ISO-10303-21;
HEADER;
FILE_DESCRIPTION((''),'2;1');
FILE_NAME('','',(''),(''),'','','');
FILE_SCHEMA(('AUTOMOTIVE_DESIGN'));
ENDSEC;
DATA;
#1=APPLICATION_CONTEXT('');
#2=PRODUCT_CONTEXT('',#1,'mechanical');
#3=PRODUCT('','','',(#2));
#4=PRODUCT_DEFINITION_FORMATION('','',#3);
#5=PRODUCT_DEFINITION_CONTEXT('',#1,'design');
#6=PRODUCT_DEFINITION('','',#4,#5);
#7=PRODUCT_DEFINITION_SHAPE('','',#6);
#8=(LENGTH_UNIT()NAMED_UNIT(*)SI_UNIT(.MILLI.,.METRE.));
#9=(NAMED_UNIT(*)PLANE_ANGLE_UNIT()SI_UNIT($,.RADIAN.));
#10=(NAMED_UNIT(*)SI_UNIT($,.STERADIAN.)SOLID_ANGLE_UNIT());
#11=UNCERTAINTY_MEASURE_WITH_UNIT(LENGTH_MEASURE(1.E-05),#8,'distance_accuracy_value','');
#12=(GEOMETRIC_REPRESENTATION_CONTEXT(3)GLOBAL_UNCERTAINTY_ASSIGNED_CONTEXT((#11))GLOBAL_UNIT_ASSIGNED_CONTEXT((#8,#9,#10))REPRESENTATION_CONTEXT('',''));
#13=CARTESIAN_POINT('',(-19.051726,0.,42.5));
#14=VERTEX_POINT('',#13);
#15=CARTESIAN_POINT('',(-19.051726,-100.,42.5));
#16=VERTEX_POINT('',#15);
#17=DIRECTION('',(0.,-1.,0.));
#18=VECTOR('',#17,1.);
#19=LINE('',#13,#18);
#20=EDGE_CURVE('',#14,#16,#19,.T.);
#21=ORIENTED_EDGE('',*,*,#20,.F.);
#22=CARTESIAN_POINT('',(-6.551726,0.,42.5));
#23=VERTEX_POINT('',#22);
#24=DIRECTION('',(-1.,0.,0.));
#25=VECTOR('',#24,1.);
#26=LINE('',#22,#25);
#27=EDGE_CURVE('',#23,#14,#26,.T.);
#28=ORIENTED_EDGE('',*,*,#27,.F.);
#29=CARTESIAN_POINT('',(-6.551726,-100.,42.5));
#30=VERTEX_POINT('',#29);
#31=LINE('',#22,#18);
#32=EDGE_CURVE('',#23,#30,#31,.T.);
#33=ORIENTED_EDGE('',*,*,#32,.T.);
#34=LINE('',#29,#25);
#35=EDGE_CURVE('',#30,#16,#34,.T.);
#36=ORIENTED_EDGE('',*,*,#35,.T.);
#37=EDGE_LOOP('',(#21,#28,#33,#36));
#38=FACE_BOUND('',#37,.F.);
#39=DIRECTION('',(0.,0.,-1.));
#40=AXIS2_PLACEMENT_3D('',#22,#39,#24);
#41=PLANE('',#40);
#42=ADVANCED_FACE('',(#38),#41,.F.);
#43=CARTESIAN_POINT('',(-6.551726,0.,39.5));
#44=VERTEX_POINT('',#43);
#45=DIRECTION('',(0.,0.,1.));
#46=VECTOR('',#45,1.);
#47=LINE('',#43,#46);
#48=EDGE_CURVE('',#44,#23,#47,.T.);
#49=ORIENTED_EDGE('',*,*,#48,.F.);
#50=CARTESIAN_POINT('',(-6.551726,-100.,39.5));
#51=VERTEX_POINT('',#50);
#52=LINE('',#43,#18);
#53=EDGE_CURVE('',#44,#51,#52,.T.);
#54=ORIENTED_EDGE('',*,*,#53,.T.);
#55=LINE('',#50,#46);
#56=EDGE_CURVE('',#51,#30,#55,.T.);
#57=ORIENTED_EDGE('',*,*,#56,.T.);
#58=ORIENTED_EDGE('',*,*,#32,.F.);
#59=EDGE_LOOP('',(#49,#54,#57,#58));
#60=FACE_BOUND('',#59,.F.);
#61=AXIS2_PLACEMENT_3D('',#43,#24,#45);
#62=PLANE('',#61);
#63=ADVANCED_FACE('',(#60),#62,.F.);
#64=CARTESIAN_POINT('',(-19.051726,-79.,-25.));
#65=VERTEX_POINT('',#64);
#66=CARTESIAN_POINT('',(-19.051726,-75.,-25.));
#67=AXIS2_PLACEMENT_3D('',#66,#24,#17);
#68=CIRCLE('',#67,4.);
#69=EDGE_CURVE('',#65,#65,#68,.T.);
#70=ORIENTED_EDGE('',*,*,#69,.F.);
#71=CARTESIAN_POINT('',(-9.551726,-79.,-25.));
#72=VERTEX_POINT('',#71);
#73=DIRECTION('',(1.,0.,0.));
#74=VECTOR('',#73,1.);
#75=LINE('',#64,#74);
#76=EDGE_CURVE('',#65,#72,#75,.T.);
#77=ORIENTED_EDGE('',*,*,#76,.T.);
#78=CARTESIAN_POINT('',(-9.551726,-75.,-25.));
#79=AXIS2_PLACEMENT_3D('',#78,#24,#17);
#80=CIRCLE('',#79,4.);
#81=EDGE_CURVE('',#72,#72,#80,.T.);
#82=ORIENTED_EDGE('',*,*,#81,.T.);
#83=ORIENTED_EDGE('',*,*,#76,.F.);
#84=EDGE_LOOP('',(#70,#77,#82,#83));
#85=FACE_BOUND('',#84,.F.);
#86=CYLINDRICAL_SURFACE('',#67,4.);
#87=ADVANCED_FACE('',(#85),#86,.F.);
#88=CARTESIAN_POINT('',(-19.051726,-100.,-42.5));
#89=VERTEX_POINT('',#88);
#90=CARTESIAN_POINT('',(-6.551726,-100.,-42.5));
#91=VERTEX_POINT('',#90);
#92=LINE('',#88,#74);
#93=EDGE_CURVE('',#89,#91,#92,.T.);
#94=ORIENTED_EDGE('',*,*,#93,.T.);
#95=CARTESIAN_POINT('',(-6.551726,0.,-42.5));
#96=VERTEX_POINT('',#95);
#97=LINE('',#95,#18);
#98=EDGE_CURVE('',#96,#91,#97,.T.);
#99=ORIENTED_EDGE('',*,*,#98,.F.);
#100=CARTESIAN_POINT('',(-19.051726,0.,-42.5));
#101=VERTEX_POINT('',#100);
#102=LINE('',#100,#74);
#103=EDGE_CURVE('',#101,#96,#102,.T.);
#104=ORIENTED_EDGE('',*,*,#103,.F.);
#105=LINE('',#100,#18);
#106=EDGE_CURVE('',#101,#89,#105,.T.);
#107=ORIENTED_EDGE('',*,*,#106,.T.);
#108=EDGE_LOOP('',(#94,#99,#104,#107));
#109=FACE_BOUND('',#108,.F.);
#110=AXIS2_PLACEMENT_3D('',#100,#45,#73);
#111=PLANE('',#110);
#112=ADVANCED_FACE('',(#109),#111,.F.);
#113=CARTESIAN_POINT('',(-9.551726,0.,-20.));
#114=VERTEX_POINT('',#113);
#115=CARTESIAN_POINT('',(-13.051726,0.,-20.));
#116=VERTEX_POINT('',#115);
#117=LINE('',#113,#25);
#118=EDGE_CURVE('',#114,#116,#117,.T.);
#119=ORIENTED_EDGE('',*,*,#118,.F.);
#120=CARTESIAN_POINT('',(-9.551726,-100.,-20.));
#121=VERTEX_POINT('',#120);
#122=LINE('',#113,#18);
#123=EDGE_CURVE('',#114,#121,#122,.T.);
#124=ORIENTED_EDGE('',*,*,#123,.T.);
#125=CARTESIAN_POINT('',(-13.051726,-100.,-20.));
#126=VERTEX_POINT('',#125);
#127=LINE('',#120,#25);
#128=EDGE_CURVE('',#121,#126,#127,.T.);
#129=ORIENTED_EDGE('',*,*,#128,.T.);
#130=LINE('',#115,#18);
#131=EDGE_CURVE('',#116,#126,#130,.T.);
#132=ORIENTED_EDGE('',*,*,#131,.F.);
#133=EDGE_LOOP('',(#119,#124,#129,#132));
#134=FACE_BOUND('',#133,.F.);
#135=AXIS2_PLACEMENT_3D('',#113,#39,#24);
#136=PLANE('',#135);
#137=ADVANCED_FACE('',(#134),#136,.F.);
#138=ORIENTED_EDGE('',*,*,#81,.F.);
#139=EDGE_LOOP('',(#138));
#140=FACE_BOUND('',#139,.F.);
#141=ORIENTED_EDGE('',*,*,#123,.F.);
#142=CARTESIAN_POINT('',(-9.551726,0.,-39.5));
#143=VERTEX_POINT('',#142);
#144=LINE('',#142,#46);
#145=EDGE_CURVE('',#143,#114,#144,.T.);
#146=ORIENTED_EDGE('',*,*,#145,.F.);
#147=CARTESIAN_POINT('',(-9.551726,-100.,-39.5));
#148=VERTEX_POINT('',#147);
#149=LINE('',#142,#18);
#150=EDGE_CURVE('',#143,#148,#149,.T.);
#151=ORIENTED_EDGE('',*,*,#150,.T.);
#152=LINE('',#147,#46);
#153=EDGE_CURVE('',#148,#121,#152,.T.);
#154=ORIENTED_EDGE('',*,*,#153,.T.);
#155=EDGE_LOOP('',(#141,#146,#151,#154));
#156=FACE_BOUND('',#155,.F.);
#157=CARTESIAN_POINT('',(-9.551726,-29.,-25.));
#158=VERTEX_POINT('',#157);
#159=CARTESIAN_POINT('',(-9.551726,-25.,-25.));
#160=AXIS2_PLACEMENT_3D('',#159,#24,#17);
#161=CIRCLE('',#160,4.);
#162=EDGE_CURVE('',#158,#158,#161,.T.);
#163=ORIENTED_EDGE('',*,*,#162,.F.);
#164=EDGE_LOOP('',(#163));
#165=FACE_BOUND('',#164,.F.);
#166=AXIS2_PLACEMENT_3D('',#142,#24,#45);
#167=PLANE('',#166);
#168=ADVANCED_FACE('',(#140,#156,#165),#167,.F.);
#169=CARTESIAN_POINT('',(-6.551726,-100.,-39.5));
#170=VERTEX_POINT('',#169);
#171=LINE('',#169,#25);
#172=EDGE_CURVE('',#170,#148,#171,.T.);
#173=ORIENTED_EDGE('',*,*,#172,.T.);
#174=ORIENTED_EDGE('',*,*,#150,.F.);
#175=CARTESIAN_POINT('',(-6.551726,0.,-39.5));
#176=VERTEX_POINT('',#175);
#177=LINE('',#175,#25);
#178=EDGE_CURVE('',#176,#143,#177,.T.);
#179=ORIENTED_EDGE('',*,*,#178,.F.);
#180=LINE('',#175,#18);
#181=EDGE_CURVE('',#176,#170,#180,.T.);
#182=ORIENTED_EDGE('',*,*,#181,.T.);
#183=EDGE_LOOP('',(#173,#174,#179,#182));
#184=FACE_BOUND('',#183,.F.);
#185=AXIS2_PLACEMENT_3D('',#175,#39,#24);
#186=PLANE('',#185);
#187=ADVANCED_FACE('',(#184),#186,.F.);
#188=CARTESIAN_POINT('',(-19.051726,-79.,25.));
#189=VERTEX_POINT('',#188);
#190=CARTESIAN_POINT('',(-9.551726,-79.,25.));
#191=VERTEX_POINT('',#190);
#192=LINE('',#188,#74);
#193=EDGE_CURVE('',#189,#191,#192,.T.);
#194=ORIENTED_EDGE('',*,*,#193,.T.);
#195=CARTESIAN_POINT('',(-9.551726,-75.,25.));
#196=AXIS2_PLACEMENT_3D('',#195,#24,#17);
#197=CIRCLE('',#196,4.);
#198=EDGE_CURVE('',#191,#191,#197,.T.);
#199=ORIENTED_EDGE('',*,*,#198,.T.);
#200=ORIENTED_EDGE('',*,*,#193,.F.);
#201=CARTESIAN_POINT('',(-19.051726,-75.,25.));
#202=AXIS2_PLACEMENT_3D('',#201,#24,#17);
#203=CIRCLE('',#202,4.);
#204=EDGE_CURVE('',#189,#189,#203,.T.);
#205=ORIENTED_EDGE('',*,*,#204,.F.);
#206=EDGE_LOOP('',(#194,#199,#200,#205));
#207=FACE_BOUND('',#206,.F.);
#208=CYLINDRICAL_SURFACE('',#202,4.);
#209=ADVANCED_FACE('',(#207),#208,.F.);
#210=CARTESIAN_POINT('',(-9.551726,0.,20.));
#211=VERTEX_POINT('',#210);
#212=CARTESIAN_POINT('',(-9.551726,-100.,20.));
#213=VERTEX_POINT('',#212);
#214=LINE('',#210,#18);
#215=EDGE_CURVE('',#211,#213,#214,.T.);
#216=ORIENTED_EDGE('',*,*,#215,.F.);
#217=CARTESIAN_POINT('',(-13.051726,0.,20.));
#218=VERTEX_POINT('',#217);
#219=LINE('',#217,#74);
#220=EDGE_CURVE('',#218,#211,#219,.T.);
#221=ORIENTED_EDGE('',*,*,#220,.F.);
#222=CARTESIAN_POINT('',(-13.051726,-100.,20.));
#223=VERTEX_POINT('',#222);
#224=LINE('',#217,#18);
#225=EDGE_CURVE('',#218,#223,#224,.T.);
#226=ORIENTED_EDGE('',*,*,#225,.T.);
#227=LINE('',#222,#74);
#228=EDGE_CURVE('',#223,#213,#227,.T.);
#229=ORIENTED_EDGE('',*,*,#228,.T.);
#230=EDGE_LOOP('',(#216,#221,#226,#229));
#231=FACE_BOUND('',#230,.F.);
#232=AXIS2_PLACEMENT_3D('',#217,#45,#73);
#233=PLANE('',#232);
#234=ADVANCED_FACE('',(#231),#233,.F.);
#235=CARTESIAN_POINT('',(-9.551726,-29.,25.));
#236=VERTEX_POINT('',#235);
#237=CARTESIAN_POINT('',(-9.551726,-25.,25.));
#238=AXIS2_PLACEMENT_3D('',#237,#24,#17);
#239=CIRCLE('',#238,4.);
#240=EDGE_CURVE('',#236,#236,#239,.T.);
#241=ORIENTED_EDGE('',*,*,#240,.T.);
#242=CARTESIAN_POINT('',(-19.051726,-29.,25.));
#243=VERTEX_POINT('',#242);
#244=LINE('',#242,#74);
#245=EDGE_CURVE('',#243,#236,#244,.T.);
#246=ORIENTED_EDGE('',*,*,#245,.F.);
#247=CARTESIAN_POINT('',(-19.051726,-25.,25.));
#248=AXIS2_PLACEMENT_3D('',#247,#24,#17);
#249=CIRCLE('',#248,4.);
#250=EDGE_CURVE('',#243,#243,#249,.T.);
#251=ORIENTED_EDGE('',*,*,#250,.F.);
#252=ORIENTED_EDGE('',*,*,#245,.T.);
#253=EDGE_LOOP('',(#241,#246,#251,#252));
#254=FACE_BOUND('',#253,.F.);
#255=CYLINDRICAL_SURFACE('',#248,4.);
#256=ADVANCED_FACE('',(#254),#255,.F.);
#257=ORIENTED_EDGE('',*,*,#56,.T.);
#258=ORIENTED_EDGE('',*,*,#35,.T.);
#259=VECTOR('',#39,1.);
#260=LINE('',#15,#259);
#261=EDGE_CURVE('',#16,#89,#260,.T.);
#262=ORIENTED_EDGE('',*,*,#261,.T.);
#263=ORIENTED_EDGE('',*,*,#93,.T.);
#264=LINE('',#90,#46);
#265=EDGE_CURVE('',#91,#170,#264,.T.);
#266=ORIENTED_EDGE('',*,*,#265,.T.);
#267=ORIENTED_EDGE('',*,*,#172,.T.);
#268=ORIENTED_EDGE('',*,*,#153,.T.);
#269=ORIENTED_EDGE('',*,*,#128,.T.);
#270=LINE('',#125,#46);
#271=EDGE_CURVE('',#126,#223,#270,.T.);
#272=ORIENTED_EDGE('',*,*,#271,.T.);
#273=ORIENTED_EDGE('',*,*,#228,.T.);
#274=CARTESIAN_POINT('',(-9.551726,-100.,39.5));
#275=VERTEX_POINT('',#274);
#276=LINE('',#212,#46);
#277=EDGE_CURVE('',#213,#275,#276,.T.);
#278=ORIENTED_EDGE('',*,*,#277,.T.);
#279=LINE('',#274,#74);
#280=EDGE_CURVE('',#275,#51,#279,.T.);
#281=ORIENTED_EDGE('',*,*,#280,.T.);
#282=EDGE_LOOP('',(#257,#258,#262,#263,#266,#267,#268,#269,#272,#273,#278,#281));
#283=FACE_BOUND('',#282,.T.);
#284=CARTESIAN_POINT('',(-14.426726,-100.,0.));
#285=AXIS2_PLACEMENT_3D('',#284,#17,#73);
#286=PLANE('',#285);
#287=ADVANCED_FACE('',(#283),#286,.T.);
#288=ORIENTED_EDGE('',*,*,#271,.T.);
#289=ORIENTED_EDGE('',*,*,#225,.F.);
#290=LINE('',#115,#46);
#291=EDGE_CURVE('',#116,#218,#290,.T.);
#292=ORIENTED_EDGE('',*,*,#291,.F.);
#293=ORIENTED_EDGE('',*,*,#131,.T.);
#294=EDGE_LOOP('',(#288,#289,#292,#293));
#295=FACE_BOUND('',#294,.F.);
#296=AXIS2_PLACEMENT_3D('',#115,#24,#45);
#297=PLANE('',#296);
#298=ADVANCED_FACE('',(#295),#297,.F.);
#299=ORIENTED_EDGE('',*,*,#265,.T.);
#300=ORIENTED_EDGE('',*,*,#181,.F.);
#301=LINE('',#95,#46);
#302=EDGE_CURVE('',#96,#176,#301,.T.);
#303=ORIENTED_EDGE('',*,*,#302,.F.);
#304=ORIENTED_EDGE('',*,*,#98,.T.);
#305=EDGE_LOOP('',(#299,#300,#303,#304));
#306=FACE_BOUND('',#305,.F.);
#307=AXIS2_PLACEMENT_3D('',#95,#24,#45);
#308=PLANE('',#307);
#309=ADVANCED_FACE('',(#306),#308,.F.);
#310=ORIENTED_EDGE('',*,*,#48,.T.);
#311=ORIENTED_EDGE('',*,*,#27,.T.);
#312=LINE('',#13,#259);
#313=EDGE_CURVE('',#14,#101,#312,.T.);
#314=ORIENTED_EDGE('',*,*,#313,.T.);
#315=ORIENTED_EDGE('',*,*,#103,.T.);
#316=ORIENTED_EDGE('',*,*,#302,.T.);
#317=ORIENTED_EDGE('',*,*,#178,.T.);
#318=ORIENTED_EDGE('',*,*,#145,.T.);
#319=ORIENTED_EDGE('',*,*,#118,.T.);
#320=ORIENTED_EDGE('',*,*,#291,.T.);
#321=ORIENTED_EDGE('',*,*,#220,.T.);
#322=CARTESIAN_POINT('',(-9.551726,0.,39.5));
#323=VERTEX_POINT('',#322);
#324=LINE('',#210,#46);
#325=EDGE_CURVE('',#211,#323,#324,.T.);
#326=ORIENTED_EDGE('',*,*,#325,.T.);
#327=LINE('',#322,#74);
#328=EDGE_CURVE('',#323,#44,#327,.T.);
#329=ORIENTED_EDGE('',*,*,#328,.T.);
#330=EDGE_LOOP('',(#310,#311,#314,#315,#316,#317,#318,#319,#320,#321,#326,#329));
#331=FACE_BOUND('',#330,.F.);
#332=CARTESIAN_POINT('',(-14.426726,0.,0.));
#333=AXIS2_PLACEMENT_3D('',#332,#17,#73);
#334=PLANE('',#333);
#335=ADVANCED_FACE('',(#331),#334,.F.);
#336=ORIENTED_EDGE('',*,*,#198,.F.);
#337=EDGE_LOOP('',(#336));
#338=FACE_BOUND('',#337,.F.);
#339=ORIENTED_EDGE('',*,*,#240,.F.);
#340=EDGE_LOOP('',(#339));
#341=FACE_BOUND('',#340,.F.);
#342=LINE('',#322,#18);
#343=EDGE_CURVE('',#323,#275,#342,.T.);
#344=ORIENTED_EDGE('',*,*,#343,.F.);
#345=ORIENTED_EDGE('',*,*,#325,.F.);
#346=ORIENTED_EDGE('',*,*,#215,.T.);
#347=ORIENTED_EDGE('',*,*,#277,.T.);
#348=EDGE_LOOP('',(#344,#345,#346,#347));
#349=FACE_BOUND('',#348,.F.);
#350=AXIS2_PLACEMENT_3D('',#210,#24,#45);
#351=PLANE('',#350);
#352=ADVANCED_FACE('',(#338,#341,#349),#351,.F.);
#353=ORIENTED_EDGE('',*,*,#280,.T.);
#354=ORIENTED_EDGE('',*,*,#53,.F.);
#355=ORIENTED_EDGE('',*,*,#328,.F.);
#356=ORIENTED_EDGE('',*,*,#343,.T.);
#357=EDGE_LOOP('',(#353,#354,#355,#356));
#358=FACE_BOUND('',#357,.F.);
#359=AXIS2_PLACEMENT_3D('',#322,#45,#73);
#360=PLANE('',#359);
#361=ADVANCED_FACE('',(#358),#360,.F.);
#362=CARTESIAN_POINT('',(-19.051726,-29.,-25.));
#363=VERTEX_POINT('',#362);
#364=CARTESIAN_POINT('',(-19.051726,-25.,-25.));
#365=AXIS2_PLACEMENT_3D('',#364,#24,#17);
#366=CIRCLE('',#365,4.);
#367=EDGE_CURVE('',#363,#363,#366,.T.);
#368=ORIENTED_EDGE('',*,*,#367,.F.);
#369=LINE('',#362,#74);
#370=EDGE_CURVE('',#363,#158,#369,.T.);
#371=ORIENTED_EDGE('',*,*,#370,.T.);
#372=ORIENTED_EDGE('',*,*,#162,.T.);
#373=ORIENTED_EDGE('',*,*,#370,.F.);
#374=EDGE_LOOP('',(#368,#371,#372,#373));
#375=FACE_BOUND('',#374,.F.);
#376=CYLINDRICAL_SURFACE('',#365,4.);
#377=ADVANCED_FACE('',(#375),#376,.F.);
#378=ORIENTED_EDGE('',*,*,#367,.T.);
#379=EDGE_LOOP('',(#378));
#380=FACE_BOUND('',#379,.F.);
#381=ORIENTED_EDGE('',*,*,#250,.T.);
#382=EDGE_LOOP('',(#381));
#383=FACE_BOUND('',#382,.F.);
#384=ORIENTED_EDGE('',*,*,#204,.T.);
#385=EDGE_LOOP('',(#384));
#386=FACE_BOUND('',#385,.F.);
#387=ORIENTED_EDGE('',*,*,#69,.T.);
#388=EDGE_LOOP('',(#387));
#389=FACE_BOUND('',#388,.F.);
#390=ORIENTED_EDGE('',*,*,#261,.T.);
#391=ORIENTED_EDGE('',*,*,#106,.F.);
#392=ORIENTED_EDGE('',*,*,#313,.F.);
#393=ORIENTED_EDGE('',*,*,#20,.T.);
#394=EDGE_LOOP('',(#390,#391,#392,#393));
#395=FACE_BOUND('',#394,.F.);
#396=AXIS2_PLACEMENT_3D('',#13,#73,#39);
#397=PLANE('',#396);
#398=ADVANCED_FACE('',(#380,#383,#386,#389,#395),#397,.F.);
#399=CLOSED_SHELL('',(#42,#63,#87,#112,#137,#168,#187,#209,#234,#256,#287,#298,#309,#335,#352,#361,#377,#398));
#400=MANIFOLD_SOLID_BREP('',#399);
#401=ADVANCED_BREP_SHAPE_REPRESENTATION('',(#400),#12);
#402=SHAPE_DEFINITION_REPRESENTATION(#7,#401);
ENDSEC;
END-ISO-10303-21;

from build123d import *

# Parameters (mm, degrees)
F1_DEPTH = 100
F2_R     = 4
F3_DEPTH = 25


with BuildPart() as f1:
    # F0 (on Front) → F1 (new body)
    with BuildSketch(Plane.XZ):
        Polygon((-6.551726, 42.5), (-19.051726, 42.5), (-19.051726, 0), (-19.051726, -42.5), (-6.551726, -42.5), (-6.551726, -39.5), (-9.551726, -39.5), (-9.551726, -20), (-13.051726, -20), (-13.051726, 0), (-13.051726, 20), (-9.551726, 20), (-9.551726, 39.5), (-6.551726, 39.5), align=None)
    extrude(amount=F1_DEPTH)

    # F2 (on face) → F3 (cut)
    with BuildSketch(Plane(origin=(-19.051726, 0, 0), x_dir=(0, -1, 0), z_dir=(-1, 0, 0))):
        with Locations((25, 25)):
            Circle(F2_R)
        with Locations((75, 25)):
            Circle(F2_R)
        with Locations((25, -25)):
            Circle(F2_R)
        with Locations((75, -25)):
            Circle(F2_R)
    extrude(amount=-F3_DEPTH, mode=Mode.SUBTRACT)


solid = f1.part
